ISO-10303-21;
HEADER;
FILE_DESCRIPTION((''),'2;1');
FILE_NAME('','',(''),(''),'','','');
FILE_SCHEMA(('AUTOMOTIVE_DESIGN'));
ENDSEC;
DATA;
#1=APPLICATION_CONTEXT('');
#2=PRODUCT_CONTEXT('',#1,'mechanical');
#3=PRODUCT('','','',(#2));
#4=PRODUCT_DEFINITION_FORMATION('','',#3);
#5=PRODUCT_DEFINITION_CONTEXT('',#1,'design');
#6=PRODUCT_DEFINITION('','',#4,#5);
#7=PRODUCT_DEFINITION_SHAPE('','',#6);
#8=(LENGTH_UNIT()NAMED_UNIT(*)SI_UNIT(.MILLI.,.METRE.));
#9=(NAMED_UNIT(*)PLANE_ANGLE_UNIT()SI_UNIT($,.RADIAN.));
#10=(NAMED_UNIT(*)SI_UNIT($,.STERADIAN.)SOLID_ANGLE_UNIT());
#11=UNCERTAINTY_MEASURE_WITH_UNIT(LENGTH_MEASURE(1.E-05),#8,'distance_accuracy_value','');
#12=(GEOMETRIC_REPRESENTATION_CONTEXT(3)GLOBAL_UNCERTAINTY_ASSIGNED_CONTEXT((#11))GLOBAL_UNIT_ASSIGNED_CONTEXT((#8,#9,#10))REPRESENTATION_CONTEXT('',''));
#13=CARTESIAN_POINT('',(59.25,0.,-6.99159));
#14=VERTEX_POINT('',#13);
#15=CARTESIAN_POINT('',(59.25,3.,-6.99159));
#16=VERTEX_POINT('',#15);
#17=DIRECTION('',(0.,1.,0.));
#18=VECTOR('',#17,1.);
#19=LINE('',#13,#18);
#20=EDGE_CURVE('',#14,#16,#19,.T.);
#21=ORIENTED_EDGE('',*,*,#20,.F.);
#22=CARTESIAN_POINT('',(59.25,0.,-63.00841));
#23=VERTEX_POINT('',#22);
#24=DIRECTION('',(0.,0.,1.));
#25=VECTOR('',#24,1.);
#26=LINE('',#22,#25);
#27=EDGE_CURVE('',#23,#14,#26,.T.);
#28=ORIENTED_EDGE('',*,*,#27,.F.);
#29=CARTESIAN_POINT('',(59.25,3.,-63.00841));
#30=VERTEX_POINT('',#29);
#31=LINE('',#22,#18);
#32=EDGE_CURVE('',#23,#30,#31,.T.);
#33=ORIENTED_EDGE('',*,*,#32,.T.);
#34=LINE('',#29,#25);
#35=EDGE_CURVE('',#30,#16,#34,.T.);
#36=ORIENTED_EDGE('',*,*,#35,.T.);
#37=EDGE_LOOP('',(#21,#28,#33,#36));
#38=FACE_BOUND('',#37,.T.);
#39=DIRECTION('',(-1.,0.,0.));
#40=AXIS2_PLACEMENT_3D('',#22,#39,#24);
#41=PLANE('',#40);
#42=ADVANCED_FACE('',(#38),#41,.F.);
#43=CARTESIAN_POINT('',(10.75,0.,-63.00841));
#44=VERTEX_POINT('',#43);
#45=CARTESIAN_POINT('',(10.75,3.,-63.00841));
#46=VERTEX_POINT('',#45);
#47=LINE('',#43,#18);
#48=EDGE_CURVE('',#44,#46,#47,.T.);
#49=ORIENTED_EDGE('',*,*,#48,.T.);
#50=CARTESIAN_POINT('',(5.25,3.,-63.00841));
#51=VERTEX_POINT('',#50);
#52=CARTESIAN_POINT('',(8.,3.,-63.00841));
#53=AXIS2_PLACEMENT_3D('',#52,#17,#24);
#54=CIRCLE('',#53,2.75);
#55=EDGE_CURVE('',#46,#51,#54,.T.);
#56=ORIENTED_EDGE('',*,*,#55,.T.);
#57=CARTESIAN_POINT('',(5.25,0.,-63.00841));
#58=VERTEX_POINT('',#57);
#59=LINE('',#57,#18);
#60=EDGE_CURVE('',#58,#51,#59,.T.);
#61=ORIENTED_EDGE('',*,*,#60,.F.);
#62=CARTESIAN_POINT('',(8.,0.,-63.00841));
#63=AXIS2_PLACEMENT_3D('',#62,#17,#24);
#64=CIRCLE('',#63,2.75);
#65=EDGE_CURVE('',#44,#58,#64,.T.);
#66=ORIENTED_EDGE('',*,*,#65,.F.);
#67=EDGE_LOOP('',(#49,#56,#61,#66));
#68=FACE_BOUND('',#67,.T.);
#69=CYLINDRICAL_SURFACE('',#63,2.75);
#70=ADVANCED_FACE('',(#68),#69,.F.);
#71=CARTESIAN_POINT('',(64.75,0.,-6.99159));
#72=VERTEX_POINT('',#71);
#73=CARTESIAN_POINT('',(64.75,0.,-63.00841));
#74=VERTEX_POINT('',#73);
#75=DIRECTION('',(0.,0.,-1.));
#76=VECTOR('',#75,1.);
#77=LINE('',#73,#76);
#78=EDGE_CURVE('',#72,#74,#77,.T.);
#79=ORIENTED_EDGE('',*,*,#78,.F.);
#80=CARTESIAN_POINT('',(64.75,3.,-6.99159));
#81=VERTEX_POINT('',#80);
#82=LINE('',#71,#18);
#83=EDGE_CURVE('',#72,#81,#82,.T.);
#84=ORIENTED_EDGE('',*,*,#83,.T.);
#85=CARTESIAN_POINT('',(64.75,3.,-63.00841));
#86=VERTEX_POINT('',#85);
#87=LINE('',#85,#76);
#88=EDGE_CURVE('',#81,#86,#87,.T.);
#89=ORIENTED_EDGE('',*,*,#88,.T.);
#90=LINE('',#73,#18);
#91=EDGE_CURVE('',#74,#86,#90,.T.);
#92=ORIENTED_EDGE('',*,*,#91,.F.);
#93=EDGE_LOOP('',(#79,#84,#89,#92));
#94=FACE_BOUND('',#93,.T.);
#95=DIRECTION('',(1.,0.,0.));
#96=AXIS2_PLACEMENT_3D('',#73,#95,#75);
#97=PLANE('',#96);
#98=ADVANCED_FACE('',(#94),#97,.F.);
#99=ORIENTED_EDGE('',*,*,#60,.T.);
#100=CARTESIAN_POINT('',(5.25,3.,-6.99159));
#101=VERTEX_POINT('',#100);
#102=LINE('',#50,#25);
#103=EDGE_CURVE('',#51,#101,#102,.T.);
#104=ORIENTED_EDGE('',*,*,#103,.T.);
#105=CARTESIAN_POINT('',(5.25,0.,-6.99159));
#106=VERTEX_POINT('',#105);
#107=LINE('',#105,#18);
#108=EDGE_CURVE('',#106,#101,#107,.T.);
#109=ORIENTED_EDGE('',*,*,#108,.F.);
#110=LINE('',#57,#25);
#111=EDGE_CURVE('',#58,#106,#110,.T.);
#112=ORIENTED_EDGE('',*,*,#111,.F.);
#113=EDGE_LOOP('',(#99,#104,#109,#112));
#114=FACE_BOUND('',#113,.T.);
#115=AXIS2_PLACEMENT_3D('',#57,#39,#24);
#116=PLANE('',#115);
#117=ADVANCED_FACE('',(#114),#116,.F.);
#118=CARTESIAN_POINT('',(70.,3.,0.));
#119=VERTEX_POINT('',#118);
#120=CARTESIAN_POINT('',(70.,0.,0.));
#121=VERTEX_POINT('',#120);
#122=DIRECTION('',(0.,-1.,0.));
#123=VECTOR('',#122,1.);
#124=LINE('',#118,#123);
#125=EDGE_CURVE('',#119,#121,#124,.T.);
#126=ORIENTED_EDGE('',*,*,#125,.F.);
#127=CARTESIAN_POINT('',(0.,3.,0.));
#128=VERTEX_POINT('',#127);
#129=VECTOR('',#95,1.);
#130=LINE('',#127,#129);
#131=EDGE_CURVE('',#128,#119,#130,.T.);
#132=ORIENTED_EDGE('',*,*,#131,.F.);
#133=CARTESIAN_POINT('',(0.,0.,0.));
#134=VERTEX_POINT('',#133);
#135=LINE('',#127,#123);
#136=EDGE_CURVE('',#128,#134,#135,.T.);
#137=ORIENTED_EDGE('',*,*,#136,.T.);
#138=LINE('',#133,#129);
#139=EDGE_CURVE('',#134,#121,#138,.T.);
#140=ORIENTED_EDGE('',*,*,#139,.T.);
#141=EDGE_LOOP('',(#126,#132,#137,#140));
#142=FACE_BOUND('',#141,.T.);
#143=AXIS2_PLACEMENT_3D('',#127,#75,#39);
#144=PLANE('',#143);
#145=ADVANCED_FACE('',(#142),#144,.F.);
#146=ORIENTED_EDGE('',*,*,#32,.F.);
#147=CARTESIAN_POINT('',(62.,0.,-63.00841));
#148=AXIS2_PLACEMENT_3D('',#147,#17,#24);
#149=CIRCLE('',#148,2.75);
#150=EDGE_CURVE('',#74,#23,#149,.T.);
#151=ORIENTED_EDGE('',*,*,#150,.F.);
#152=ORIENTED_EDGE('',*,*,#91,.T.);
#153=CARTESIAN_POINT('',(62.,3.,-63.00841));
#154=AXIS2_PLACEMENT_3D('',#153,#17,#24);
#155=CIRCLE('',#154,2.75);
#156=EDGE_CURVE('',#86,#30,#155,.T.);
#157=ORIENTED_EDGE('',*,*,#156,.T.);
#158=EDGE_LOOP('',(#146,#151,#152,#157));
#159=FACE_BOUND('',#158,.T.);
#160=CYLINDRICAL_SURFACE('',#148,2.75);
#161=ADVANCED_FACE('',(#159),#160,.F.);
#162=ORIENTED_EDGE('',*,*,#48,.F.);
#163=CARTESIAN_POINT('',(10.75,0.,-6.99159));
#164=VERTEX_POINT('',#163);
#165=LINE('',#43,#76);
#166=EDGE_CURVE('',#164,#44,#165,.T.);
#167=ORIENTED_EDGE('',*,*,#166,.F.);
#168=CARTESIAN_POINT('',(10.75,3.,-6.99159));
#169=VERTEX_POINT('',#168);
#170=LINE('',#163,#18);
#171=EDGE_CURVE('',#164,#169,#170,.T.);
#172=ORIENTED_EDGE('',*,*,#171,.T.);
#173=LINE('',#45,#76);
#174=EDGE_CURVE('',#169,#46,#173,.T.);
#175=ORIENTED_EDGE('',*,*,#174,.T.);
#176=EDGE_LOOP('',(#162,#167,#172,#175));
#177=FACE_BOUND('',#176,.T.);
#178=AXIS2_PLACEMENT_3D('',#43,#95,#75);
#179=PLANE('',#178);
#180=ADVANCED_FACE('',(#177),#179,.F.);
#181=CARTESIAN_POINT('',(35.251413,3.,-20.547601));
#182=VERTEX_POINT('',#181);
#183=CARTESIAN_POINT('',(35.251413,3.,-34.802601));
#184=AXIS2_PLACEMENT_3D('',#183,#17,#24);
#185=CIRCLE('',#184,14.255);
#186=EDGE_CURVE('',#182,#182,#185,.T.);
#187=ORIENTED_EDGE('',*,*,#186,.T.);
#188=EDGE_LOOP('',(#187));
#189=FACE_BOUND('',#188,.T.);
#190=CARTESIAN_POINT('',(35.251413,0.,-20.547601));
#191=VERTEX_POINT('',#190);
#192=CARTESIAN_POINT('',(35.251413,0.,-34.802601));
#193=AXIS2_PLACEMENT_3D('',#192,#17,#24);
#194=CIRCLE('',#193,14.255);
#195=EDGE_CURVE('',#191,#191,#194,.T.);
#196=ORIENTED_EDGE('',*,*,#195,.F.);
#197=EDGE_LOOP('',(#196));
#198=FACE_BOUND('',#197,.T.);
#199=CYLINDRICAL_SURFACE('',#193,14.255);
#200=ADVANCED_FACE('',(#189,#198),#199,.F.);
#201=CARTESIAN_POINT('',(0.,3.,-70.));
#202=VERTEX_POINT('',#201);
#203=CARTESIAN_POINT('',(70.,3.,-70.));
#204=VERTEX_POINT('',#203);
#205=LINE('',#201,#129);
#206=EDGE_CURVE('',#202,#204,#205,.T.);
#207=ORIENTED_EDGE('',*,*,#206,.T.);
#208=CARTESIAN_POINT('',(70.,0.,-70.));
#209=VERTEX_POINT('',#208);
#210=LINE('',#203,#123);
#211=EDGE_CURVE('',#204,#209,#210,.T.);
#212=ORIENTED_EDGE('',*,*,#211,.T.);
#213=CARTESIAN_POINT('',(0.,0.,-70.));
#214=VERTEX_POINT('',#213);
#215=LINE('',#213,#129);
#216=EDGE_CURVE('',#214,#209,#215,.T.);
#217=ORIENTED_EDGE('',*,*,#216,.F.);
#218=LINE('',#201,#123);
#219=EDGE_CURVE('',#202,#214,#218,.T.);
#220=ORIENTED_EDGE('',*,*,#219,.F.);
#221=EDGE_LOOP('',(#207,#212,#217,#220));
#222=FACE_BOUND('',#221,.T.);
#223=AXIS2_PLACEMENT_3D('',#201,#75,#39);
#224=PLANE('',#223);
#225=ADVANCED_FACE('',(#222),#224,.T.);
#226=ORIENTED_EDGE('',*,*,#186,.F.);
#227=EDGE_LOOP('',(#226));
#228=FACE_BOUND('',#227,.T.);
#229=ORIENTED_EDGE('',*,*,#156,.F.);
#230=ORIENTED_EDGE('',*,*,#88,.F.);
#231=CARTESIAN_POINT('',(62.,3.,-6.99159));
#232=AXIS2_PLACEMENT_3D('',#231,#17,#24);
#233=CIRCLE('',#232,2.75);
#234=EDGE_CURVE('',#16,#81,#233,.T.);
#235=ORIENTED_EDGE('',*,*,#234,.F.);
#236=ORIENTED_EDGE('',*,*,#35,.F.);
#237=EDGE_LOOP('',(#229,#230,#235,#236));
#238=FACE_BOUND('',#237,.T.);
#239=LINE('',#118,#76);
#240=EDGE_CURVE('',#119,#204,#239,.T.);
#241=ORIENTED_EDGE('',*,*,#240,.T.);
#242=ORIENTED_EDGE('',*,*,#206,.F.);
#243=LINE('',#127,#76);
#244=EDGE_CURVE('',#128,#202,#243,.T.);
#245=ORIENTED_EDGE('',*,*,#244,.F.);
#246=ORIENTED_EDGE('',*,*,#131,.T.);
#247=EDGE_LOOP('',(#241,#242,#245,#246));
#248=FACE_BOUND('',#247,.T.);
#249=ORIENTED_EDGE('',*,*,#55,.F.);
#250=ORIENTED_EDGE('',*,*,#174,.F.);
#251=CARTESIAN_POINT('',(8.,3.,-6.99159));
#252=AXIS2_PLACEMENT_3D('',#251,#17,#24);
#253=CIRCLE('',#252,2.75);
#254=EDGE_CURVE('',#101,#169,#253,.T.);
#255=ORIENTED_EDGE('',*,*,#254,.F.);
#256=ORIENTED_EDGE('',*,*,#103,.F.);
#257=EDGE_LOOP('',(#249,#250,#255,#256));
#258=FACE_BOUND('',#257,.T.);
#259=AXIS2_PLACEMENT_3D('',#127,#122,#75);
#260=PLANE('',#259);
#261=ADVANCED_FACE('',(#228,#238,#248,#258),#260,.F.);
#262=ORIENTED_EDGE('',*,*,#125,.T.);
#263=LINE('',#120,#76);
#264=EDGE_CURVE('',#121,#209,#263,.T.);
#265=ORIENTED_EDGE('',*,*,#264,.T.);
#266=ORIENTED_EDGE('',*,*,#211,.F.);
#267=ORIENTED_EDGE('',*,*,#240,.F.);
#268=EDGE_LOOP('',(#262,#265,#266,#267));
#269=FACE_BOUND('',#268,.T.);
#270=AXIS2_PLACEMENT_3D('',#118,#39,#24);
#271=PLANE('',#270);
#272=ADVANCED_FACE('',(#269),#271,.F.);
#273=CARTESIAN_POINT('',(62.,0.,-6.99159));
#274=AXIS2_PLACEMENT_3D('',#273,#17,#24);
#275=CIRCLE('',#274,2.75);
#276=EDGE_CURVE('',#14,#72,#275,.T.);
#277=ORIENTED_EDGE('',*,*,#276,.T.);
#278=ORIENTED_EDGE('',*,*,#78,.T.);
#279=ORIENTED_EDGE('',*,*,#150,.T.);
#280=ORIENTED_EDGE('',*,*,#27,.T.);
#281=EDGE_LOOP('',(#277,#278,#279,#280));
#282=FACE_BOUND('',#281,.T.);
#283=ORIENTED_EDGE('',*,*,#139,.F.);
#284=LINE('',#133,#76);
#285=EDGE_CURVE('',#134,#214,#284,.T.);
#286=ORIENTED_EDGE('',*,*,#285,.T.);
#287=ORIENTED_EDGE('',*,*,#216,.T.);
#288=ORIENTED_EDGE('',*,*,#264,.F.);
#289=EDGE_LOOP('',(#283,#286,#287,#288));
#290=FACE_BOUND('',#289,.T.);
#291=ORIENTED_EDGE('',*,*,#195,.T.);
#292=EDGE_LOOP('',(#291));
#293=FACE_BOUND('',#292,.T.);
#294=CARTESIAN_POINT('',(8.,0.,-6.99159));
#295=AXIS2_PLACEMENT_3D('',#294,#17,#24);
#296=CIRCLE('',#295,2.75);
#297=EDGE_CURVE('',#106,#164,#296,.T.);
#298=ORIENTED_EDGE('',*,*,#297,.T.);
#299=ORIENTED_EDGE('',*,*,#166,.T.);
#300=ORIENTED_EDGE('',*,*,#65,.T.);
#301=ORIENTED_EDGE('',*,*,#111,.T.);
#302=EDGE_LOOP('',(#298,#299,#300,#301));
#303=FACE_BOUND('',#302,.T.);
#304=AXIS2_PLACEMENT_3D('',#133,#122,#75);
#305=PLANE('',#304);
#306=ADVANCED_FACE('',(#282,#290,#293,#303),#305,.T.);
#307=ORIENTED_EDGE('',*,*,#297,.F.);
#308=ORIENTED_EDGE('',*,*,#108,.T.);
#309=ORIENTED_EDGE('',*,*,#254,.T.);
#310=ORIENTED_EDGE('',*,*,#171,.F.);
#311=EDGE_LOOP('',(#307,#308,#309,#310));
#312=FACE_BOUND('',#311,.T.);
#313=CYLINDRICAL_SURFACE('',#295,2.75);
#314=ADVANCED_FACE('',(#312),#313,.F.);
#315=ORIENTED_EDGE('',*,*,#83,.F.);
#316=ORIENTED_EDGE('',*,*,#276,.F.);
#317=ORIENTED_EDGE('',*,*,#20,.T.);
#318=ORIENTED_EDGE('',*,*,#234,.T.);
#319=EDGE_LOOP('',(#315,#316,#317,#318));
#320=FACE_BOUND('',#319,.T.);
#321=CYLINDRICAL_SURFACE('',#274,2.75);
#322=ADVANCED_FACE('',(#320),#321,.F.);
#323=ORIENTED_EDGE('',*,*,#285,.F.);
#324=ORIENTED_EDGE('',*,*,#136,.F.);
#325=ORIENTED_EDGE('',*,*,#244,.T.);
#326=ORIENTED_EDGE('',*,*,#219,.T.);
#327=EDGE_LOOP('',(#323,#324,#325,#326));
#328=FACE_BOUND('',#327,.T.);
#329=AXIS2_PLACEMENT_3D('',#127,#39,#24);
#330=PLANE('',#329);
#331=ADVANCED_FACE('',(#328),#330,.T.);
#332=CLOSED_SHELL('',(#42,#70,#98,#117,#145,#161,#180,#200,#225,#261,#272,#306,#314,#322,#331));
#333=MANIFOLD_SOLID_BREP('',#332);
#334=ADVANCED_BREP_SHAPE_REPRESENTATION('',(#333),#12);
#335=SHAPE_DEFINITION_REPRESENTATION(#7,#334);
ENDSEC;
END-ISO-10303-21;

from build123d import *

# Parameters (mm, degrees)
SKETCH1_W           = 70
SKETCH1_H           = 70
BOSS_EXTRUDE1_DEPTH = 3
SKETCH2_R           = 14.255
CUT_EXTRUDE1_DEPTH  = 3


with BuildPart() as part:
    # Sketch1 → Boss-Extrude1 (new body)
    with BuildSketch(Plane(origin=(0, 0, 0), x_dir=(1, 0, 0), z_dir=(0, 1, 0))):
        with Locations((35, 35)):
            Rectangle(SKETCH1_W, SKETCH1_H)
    extrude(amount=BOSS_EXTRUDE1_DEPTH)

    # Sketch2 → Cut-Extrude1 (cut)
    with BuildSketch(Plane(origin=(0, 3, 0), x_dir=(1, 0, 0), z_dir=(0, 1, 0))):
        with Locations((35.251413305, 34.802601327)):
            Circle(SKETCH2_R)
        with BuildLine():
            Line((10.75, 63.008410324), (10.75, 6.991589676))
            ThreePointArc((10.75, 6.991589676), (8, 4.241589676), (5.25, 6.991589676))
            Line((5.25, 6.991589676), (5.25, 63.008410324))
            ThreePointArc((5.25, 63.008410324), (8, 65.758410324), (10.75, 63.008410324))
        make_face()
        with BuildLine():
            Line((64.75, 63.008410324), (64.75, 6.991589676))
            ThreePointArc((64.75, 6.991589676), (62, 4.241589676), (59.25, 6.991589676))
            Line((59.25, 6.991589676), (59.25, 63.008410324))
            ThreePointArc((59.25, 63.008410324), (62, 65.758410324), (64.75, 63.008410324))
        make_face()
    extrude(amount=-CUT_EXTRUDE1_DEPTH, mode=Mode.SUBTRACT)


solid = part.part
